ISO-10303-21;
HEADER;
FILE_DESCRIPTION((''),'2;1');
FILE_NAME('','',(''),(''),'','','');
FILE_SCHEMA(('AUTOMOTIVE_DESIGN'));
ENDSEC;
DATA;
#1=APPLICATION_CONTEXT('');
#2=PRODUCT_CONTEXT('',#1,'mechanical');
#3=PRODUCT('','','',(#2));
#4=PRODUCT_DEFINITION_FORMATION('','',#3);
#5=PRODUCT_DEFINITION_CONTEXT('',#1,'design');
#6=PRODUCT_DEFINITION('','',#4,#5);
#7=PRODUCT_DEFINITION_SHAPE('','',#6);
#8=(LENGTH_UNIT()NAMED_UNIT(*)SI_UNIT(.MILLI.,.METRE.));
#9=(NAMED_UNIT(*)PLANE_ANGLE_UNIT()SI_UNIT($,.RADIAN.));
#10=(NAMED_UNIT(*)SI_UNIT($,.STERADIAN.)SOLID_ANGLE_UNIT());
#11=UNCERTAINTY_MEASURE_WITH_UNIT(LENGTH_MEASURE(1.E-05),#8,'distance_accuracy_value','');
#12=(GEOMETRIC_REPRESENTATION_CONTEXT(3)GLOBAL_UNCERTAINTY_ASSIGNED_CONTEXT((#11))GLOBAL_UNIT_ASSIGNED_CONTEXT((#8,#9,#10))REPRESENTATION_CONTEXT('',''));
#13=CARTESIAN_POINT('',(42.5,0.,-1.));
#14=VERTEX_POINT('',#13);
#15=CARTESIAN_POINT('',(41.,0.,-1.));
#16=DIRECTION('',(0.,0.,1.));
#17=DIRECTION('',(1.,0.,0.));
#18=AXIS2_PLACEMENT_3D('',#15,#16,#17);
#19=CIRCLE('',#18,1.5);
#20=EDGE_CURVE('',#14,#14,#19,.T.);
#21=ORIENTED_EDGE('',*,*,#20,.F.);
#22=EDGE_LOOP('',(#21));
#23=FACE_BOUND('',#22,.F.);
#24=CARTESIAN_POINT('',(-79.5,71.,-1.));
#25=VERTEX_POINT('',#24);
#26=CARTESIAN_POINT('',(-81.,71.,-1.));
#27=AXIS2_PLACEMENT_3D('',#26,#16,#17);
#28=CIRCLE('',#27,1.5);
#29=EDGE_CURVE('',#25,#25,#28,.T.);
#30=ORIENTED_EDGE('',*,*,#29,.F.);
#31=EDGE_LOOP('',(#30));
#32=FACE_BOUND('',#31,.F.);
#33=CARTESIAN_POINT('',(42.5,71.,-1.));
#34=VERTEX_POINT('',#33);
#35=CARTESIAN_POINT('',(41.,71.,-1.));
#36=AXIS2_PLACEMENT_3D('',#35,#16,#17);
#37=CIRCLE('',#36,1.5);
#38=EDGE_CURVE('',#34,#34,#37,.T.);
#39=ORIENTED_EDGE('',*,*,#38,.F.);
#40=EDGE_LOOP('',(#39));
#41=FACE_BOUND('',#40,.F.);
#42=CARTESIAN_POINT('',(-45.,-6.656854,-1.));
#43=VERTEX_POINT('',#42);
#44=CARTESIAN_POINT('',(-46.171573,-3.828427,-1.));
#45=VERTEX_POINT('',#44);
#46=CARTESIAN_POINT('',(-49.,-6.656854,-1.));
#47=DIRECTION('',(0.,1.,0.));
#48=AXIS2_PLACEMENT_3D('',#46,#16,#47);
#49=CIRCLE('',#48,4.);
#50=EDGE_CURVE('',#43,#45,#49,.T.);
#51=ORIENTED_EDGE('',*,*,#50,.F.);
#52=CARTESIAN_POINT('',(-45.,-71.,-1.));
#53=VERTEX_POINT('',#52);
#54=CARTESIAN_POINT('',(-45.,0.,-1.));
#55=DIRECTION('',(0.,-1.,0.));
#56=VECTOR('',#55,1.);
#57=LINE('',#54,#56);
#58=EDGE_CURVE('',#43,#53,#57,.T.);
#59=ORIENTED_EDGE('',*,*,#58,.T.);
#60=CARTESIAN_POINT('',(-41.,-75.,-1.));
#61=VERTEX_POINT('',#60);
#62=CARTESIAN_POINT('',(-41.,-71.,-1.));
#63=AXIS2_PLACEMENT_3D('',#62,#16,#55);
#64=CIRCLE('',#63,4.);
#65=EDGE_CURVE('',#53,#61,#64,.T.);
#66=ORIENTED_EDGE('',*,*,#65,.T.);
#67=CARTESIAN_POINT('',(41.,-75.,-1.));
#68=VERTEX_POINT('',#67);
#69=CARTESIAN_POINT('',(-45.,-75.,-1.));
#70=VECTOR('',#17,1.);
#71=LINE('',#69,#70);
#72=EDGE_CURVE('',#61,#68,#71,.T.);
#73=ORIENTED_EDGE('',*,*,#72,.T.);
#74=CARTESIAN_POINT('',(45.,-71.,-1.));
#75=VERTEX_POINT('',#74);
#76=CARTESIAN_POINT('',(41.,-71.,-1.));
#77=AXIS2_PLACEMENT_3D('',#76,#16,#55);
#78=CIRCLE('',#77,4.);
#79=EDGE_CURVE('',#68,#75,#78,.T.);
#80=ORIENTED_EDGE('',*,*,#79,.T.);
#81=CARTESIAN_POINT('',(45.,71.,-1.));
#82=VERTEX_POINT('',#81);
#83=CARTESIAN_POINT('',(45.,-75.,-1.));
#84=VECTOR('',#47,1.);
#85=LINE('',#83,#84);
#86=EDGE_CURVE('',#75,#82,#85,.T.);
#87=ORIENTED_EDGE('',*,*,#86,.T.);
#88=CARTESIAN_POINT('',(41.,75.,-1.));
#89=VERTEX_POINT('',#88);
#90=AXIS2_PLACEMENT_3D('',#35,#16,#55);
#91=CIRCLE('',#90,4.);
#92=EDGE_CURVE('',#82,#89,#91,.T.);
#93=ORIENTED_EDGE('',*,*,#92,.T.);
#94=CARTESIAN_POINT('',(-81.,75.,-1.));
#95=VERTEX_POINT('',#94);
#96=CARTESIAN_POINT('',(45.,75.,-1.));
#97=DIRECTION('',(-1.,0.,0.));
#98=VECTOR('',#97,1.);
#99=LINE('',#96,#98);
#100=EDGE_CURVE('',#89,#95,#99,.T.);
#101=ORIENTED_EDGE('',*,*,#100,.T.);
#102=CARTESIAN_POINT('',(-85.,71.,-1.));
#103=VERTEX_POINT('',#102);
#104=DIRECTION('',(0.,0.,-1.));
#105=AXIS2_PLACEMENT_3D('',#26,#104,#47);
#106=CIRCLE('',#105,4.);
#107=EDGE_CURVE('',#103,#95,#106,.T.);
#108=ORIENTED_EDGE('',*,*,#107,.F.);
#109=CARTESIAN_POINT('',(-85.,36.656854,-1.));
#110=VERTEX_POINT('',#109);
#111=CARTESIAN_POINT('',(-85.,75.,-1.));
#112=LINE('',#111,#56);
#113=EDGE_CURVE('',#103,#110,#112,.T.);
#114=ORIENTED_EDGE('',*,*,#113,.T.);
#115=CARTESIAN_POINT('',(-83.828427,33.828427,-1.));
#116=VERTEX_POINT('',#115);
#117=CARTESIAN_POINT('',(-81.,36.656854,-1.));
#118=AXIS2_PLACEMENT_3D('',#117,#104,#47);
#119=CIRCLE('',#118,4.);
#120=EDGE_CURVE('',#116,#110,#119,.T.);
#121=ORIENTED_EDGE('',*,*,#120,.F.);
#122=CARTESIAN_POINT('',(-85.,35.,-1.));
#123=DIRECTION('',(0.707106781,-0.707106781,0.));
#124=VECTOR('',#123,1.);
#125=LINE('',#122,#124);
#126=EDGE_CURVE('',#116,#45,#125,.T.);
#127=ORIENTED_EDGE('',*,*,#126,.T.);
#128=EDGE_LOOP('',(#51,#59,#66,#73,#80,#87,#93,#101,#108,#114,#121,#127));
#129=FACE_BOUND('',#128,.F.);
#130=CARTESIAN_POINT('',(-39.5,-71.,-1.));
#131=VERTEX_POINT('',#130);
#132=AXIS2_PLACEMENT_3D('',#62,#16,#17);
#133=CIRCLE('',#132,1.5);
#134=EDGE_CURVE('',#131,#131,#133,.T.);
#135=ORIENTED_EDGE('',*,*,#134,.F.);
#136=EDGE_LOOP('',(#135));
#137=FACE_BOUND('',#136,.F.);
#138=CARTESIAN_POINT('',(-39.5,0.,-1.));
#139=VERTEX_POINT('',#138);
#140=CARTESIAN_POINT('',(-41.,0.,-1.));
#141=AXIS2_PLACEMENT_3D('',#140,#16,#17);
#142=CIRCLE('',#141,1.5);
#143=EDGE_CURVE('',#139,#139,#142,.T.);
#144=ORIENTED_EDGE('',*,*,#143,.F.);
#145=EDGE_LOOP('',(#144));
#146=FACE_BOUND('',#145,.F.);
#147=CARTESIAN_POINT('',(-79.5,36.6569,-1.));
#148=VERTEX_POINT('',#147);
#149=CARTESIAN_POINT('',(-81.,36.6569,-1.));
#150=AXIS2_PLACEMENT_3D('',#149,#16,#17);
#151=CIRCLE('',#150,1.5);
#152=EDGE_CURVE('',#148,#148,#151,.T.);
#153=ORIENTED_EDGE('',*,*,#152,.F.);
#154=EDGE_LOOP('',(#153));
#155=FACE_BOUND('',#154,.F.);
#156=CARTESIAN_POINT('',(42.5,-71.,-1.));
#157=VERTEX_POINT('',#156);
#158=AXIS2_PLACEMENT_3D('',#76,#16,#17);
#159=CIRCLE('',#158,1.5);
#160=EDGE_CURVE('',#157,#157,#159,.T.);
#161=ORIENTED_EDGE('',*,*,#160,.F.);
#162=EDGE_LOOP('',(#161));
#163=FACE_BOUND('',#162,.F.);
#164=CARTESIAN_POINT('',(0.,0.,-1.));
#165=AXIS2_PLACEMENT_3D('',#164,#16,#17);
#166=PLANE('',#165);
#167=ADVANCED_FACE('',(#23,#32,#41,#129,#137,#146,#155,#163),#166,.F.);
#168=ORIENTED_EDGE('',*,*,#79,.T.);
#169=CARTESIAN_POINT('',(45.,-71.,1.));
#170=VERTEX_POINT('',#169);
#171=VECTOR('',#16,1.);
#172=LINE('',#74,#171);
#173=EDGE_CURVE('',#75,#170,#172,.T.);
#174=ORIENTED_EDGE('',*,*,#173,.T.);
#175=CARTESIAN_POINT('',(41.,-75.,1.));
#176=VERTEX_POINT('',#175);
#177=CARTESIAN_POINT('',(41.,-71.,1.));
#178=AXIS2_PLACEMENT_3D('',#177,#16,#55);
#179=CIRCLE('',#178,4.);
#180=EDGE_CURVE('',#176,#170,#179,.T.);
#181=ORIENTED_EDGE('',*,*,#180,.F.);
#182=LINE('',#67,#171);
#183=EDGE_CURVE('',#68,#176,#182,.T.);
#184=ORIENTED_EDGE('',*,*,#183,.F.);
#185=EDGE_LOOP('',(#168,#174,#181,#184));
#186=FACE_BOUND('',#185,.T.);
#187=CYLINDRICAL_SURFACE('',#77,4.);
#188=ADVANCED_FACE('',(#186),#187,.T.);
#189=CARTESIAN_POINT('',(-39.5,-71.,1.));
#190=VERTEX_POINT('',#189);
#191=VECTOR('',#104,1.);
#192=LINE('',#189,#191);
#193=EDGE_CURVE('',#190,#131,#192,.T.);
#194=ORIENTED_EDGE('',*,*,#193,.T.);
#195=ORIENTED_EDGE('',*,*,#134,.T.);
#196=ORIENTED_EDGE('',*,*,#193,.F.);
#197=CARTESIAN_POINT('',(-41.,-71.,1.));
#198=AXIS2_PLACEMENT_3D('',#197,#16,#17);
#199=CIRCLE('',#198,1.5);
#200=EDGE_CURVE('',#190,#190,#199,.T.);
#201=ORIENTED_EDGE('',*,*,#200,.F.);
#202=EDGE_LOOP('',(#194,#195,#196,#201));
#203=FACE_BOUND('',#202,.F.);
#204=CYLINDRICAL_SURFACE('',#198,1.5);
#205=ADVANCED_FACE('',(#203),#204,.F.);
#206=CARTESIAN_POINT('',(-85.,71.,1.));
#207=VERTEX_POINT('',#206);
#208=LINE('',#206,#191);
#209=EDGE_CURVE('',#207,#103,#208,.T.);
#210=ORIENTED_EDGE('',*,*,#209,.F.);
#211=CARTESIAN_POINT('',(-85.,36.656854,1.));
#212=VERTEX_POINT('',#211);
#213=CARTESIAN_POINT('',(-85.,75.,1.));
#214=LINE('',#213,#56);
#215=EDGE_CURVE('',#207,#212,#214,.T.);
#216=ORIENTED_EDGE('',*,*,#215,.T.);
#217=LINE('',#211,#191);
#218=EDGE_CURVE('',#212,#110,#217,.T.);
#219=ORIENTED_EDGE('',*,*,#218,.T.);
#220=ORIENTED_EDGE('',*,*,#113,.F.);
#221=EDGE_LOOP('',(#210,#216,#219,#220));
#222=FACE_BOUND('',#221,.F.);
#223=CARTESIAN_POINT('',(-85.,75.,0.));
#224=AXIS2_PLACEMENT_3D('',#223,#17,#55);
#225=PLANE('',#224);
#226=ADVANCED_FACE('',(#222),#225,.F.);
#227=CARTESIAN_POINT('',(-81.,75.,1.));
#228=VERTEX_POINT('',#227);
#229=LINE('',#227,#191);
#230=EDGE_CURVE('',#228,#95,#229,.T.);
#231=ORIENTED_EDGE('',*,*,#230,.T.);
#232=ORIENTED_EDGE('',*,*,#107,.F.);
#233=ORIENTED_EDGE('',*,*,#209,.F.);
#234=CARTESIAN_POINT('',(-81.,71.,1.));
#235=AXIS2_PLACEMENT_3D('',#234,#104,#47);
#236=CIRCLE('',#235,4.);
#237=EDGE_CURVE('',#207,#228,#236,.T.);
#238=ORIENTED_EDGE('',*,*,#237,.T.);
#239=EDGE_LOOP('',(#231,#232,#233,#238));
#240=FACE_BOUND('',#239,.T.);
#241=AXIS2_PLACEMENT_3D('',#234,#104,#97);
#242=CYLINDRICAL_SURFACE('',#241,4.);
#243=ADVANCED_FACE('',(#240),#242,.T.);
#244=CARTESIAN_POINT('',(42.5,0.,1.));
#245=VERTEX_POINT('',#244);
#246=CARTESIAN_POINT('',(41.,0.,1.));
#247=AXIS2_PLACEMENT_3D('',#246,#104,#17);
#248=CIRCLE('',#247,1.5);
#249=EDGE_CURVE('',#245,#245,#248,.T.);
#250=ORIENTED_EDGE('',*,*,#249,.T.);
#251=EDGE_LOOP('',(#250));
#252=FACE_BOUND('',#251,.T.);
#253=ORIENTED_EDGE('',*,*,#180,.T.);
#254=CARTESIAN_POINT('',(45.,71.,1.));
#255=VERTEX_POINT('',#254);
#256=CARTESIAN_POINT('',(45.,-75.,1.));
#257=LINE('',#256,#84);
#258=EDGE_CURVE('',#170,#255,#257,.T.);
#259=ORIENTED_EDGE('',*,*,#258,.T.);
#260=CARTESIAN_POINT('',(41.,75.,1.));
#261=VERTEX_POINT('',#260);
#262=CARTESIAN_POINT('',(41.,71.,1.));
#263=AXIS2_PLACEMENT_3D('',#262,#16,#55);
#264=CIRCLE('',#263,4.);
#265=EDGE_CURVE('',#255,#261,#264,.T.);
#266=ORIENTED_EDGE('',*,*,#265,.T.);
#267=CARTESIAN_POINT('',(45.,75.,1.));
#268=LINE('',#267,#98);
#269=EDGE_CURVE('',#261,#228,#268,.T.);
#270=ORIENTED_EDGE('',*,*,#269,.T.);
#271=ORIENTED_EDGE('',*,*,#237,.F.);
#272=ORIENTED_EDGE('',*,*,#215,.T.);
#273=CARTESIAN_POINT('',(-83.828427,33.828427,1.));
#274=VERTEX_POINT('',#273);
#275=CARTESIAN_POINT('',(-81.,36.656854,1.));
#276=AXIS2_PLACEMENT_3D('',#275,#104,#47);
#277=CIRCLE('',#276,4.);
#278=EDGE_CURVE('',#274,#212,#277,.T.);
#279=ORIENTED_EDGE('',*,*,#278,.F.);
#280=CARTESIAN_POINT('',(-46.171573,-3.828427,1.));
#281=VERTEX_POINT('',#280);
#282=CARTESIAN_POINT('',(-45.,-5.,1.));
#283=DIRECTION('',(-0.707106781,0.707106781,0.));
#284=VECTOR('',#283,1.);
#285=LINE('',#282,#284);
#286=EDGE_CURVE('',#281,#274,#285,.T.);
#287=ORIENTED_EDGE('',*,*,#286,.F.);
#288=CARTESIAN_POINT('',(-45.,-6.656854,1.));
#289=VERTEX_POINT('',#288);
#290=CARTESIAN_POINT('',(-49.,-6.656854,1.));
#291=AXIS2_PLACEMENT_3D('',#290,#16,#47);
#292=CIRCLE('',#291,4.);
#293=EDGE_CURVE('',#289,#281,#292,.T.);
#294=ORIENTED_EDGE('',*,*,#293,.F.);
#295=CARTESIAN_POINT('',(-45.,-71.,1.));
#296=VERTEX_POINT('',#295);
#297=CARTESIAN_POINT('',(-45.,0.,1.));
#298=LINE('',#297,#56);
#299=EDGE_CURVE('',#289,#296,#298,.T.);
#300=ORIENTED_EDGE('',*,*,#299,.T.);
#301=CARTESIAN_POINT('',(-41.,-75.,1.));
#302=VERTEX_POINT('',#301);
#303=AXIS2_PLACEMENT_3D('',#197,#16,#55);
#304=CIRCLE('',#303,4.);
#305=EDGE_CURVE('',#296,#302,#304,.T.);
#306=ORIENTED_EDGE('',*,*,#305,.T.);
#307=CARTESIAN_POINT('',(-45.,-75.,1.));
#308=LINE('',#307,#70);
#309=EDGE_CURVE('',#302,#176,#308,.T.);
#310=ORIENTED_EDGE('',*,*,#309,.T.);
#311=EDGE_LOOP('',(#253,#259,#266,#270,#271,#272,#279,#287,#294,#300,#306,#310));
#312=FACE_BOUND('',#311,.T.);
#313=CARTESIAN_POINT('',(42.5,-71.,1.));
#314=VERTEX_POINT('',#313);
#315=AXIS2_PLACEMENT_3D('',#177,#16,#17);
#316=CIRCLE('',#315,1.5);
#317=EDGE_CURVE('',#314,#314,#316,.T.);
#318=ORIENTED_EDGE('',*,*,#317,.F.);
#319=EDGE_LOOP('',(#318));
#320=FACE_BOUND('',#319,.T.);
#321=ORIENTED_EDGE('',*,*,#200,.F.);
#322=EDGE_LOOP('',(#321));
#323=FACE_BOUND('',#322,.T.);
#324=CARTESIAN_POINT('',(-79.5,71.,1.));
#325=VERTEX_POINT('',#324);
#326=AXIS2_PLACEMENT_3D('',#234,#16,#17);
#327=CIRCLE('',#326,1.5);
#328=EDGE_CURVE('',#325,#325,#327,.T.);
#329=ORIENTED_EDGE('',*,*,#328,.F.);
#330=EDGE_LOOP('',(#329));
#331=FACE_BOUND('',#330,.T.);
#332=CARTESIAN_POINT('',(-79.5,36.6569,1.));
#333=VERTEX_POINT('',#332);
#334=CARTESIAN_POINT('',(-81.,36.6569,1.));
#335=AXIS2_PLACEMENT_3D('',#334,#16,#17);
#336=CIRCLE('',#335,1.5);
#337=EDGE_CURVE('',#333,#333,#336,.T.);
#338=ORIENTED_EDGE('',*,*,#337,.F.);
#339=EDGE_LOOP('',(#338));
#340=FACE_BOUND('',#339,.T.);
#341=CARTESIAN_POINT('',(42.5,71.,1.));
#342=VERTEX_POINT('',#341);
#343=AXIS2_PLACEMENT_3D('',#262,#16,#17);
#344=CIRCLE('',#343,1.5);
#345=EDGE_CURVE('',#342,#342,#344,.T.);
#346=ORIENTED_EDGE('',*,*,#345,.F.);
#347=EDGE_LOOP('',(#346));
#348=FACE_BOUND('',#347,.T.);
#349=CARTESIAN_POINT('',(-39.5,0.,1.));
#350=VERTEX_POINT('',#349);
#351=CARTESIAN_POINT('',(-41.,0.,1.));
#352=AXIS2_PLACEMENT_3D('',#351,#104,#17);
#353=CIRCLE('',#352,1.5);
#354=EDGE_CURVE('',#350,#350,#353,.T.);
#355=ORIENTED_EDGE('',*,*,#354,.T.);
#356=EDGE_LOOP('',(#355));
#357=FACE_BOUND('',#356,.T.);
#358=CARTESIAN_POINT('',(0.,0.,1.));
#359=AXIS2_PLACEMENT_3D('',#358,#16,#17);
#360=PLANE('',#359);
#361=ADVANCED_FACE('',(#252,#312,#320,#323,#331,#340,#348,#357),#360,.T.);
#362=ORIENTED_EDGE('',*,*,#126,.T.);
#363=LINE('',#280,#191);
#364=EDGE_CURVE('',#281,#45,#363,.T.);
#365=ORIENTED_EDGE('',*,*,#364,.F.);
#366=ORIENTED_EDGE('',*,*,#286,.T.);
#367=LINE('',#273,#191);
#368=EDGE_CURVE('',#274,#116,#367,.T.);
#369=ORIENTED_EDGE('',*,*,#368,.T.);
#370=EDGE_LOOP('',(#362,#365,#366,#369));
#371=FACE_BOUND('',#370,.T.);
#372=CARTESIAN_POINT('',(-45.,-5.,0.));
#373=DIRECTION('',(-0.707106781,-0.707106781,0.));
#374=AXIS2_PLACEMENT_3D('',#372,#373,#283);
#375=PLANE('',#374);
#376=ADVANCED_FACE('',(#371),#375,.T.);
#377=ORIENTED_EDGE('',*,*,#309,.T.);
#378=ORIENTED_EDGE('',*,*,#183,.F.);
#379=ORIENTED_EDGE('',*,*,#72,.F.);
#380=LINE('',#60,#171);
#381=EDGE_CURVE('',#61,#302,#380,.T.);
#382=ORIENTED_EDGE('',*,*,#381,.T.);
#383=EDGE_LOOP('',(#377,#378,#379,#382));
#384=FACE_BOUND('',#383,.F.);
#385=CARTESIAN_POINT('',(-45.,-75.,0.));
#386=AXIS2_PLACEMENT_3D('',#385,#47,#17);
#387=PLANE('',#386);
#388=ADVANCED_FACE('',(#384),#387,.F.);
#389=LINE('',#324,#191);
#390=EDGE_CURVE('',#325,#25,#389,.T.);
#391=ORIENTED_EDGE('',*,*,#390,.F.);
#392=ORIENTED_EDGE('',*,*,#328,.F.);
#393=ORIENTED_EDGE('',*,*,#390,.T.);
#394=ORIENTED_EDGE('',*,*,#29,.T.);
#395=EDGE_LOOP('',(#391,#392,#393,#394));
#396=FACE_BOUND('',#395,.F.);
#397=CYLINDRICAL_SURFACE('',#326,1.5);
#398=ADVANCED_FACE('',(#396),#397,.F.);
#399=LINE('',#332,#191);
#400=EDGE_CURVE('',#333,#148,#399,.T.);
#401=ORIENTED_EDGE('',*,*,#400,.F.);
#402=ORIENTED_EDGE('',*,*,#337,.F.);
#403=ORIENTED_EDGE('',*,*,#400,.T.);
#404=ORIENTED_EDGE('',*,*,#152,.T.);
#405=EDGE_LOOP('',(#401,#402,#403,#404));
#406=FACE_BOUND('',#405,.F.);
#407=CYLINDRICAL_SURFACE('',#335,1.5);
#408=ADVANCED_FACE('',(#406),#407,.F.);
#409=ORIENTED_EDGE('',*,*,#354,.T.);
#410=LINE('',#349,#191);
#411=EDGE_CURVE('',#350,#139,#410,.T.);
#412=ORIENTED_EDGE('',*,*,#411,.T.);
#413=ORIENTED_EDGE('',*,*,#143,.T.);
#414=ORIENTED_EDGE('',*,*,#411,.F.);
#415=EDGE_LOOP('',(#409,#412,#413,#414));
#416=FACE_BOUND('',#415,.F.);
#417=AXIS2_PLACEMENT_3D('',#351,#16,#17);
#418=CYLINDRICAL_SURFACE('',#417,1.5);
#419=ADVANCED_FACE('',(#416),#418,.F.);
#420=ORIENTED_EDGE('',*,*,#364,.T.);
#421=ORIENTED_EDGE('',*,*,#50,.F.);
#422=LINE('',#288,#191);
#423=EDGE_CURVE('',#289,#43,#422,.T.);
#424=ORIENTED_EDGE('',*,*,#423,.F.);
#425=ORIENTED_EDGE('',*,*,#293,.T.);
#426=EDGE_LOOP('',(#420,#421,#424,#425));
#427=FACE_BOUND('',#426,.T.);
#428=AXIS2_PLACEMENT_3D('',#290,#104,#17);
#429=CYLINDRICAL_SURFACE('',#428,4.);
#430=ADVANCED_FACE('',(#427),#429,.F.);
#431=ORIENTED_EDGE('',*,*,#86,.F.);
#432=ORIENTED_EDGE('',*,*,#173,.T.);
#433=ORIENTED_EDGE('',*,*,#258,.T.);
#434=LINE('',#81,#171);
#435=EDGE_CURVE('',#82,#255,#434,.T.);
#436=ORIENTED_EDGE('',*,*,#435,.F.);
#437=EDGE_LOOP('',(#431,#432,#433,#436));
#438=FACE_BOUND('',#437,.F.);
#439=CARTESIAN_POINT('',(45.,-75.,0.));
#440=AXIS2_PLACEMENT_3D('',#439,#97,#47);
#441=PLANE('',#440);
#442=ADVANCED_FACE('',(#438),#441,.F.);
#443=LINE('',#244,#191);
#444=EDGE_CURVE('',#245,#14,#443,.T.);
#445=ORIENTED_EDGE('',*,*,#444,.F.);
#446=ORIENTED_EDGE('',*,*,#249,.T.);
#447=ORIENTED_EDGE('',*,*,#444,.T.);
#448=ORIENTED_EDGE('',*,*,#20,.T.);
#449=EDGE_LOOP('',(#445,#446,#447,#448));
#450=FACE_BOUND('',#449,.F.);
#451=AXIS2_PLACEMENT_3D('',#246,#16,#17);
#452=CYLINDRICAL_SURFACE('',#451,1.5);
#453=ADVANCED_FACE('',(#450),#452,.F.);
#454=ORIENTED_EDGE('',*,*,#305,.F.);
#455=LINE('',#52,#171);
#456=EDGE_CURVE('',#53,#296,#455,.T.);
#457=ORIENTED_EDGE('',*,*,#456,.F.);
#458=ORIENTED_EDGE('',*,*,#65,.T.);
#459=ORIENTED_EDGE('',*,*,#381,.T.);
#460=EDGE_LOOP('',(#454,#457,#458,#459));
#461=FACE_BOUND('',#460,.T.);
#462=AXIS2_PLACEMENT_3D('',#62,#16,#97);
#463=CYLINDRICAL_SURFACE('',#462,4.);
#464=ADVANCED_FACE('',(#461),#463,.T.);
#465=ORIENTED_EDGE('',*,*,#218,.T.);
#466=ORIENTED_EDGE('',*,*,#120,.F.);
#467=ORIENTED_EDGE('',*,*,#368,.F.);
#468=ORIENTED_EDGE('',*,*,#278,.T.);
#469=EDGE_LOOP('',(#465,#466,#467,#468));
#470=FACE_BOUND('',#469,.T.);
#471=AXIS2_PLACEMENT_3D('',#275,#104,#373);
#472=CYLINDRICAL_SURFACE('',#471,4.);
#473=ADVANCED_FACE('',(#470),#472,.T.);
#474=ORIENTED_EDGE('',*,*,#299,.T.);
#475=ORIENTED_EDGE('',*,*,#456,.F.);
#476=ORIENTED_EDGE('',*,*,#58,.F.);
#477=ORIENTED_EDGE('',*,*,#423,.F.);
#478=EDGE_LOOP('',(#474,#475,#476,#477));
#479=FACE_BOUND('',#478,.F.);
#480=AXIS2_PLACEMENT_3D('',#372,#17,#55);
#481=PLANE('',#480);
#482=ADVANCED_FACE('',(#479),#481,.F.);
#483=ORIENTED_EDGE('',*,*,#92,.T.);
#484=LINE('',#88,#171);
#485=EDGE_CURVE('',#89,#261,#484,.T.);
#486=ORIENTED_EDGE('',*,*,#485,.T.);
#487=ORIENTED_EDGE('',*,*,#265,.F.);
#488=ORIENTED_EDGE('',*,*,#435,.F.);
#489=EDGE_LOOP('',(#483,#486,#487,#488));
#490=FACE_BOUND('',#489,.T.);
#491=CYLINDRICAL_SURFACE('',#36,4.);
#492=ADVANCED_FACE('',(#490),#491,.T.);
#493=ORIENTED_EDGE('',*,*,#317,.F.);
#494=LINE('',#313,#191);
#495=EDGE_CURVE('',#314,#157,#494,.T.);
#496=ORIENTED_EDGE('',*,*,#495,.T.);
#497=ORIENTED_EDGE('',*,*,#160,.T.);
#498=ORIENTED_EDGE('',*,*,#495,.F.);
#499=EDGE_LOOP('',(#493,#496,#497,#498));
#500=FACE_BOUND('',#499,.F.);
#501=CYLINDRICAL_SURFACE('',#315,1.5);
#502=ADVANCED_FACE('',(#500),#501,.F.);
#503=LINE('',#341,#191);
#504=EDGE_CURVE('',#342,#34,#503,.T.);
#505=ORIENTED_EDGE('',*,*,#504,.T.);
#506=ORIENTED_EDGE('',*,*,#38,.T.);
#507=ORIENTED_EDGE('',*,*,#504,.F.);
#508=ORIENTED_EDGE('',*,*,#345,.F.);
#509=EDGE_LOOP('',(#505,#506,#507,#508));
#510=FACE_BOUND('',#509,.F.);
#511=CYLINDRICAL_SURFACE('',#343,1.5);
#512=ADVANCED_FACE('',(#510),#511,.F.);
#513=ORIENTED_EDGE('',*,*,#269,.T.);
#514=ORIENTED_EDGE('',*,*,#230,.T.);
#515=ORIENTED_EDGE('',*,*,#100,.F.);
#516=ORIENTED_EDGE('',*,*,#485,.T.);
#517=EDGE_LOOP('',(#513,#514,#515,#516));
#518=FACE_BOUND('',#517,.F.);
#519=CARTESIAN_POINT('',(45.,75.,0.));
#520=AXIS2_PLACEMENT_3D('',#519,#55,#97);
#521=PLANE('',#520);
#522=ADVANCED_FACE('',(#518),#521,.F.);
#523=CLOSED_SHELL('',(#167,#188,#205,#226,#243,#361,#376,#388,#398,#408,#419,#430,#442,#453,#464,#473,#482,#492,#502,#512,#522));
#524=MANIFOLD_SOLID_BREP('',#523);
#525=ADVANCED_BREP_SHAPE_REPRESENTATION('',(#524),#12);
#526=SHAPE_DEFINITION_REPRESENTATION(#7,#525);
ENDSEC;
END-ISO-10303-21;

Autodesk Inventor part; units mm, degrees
sketch "Эскиз1" plane through (0, 0, 0) normal (0, 0, 1) x (1, 0, 0)
  line L0 (-45, -75) -> (45, -75)
  line L1 (45, -75) -> (45, 75)
  line L2 (45, 75) -> (-85, 75)
  line L3 (-45, 0) -> (-45, -75)
  line L4 (-45, -75) -> (45, 75) construction
  line L5 (45, -75) -> (-45, 75) construction
  line L6 (-85, 75) -> (-85, 0)
  line L7 (-85, 0) -> (-49.5, 0)
  line L8 (-45, 0) -> (-85, 0)
  line L9 (-45, -5) -> (-85, 35)
  point P0 (0, 0)
  dimension "d0" = 90
  dimension "d1" = 150
  dimension "d22" = 75
  dimension "d25" = 130
  dimension "d26" = 45
  dimension "d27" = 40
extrude "Выдавливание1" add sketch "Эскиз1" along normal mid plane 2 contours L3 L8 L7 L9 L6 L2 L1 L0 | L9 L7 L8 L3
fillet "Сопряжение2" radius 4 6 edges at (45, 75, 0) (45, -75, 0) (-45, -75, 0) (-45, -5, 0) (-85, 35, 0) (-85, 75, 0)
sketch "Эскиз4" plane through (0, 0, 1) normal (0, 0, 1) x (1, 0, 0)
  circle A0 centre (-81, 36.6569) radius 1.5
  circle A1 centre (-41, 0) radius 1.5
  circle A2 centre (41, 0) radius 1.5
  circle A3 centre (41, -71) radius 1.5
  circle A4 centre (-41, -71) radius 1.5
  circle A5 centre (41, 71) radius 1.5
  circle A6 centre (-81, 71) radius 1.5
  arc A7 (-81, 75) -> (-85, 71) centre (-81, 71) ccw construction
  line L0 (-85, 71) -> (-85, 36.6569) construction
  arc A8 (-85, 36.6569) -> (-83.8284, 33.8284) centre (-81, 36.6569) ccw construction
  line L1 (-83.8284, 33.8284) -> (-46.1716, -3.8284) construction
  arc A9 (-45, -6.6569) -> (-46.1716, -3.8284) centre (-49, -6.6569) ccw construction
  line L2 (-45, -6.6569) -> (-45, -71) construction
  arc A10 (-45, -71) -> (-41, -75) centre (-41, -71) ccw construction
  line L3 (-41, -75) -> (41, -75) construction
  arc A11 (41, -75) -> (45, -71) centre (41, -71) ccw construction
  line L4 (45, -71) -> (45, 71) construction
  arc A12 (45, 71) -> (41, 75) centre (41, 71) ccw construction
  line L5 (41, 75) -> (-81, 75) construction
  line L6 (-81, 71) -> (-81, 36.6569) construction
  line L7 (-81, 36.6569) -> (-43.3431, -1) construction
  arc A13 (-41, -6.6569) -> (-43.3431, -1) centre (-49, -6.6569) ccw construction
  line L8 (-41, -6.6569) -> (-41, -71) construction
  line L9 (-41, -71) -> (41, -71) construction
  line L10 (41, -71) -> (41, 71) construction
  line L11 (41, 71) -> (-81, 71) construction
  line L12 (-112.1598, 0) -> (72.1598, 0) projected
  point P0 (0, 0)
  point P1 (41, 0)
  dimension "d29" = 3
  dimension "d30" = 4
  dimension "d31" = 41
extrude "Выдавливание4" cut sketch "Эскиз4" against normal through all
properties part number "Контур платы"
